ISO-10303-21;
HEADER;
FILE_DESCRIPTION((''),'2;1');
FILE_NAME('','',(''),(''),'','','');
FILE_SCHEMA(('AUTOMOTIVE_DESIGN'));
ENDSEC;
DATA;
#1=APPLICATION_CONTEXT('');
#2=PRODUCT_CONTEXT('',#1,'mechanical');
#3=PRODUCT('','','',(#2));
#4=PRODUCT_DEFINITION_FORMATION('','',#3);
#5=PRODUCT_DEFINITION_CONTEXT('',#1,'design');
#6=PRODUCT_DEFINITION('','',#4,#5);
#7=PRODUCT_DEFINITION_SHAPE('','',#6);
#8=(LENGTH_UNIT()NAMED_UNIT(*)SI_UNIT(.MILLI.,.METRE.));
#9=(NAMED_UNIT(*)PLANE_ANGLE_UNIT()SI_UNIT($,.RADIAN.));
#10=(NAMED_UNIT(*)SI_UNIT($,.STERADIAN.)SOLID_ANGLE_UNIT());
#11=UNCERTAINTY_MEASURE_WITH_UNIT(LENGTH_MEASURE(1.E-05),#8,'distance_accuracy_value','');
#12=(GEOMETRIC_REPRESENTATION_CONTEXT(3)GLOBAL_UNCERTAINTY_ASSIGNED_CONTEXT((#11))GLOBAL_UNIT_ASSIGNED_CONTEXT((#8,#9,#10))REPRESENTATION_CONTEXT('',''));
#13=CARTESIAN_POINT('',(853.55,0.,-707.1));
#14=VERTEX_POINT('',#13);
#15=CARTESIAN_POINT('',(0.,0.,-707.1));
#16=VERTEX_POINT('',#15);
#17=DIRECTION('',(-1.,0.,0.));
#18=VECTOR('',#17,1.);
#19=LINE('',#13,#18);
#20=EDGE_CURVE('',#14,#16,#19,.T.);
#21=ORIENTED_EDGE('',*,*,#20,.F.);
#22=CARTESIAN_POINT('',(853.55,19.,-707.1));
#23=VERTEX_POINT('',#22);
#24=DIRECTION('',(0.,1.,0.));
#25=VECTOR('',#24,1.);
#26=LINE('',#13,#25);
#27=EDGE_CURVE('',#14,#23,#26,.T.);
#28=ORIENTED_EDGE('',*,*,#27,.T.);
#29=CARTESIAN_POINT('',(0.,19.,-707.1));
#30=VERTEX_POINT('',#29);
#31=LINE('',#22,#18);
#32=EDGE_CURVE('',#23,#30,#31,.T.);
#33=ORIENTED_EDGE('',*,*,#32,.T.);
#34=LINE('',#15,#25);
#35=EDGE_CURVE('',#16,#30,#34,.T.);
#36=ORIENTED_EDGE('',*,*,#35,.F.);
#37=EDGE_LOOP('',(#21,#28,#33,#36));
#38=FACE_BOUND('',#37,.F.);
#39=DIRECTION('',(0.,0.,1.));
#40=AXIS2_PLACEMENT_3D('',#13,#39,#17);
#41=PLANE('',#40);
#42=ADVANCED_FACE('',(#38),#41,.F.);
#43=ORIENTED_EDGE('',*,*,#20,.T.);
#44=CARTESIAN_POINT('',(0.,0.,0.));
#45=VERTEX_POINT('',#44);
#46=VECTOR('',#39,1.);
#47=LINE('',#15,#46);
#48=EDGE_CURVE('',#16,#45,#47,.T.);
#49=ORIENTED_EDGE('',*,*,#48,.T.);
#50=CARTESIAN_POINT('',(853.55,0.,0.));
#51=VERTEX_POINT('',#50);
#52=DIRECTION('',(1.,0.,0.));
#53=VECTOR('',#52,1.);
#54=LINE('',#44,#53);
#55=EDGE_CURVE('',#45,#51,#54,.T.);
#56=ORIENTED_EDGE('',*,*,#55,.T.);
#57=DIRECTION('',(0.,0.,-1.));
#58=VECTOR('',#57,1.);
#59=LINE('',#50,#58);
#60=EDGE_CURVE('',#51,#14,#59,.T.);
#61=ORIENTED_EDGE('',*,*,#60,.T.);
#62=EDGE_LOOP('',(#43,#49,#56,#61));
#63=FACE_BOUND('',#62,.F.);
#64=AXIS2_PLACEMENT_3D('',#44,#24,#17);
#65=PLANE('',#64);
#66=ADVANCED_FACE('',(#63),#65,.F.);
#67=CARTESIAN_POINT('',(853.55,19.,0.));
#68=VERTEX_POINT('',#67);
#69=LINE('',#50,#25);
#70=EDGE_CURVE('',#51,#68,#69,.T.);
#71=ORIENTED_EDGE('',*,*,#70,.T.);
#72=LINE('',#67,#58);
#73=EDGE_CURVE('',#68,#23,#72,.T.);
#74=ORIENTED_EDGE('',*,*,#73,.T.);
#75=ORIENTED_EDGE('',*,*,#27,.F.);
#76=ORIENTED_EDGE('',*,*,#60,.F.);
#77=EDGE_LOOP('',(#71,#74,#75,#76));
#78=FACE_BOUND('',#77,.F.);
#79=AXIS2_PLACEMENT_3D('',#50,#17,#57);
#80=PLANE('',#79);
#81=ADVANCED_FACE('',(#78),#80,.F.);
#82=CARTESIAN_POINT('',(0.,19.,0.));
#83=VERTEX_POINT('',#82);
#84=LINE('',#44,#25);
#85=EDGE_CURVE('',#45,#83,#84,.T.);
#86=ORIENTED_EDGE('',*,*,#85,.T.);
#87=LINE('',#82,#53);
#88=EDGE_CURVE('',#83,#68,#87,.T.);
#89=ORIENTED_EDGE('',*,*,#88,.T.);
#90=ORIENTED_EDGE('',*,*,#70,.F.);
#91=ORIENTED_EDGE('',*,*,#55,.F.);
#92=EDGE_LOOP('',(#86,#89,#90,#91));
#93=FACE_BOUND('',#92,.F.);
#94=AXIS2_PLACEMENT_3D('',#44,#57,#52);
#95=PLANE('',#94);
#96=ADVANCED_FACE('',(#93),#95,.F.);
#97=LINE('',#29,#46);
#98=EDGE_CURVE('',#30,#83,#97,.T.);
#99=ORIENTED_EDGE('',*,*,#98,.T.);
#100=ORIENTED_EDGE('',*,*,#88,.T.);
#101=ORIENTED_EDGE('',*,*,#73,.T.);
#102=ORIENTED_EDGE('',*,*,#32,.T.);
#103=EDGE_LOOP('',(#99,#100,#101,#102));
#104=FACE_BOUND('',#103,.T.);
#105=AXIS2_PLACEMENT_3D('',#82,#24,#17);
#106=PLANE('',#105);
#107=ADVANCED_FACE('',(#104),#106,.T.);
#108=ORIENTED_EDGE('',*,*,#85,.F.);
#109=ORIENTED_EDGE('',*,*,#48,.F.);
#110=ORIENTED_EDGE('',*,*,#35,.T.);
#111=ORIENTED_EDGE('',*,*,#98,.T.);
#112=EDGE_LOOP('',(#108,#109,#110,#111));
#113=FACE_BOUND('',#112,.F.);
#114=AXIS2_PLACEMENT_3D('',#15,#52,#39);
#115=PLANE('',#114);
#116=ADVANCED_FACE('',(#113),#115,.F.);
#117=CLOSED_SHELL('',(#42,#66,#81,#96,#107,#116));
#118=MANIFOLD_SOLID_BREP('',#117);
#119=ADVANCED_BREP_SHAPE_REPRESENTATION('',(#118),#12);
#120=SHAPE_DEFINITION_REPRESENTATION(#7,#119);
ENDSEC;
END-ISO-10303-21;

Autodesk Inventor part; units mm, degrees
ref_plane "YZ Plane" through (0, 0, 0) normal (1, 0, 0) x (0, 1, 0)
ref_plane "XZ Plane" through (0, 0, 0) normal (0, 1, 0) x (-1, 0, 0)
ref_plane "XY Plane" through (0, 0, 0) normal (0, 0, 1) x (1, 0, 0)
sketch "Sketch1" plane through (0, 0, 0) normal (0, 1, 0) x (-1, 0, 0)
  line L0 (0, 0) -> (-853.55, 0)
  line L1 (-853.55, 0) -> (-853.55, -707.1)
  line L2 (-853.55, -707.1) -> (0, -707.1)
  line L3 (0, -707.1) -> (0, 0)
  dimension "d0" = 853.55
  dimension "d1" = 707.1
extrude "Extrusion1" add sketch "Sketch1" along normal blind 19
equation "\"BendRadius\" = Thickness"
equation "\"BendReliefWidth\" = Thickness"
equation "\"BendReliefDepth\" = 0.5 * Thickness"
equation "\"CornerReliefSize\" = 4 * Thickness"
equation "\"MinimumRemnant\" = 2 * Thickness"
equation "\"TransitionRadius\" = BendRadius"
equation "\"JacobiRadiusSize\" = BendRadius"
equation "\"GapSize\" = Thickness"
equation "\"Thickness\" = 0.5"
properties part number "rotating_table_bottom_plate"
